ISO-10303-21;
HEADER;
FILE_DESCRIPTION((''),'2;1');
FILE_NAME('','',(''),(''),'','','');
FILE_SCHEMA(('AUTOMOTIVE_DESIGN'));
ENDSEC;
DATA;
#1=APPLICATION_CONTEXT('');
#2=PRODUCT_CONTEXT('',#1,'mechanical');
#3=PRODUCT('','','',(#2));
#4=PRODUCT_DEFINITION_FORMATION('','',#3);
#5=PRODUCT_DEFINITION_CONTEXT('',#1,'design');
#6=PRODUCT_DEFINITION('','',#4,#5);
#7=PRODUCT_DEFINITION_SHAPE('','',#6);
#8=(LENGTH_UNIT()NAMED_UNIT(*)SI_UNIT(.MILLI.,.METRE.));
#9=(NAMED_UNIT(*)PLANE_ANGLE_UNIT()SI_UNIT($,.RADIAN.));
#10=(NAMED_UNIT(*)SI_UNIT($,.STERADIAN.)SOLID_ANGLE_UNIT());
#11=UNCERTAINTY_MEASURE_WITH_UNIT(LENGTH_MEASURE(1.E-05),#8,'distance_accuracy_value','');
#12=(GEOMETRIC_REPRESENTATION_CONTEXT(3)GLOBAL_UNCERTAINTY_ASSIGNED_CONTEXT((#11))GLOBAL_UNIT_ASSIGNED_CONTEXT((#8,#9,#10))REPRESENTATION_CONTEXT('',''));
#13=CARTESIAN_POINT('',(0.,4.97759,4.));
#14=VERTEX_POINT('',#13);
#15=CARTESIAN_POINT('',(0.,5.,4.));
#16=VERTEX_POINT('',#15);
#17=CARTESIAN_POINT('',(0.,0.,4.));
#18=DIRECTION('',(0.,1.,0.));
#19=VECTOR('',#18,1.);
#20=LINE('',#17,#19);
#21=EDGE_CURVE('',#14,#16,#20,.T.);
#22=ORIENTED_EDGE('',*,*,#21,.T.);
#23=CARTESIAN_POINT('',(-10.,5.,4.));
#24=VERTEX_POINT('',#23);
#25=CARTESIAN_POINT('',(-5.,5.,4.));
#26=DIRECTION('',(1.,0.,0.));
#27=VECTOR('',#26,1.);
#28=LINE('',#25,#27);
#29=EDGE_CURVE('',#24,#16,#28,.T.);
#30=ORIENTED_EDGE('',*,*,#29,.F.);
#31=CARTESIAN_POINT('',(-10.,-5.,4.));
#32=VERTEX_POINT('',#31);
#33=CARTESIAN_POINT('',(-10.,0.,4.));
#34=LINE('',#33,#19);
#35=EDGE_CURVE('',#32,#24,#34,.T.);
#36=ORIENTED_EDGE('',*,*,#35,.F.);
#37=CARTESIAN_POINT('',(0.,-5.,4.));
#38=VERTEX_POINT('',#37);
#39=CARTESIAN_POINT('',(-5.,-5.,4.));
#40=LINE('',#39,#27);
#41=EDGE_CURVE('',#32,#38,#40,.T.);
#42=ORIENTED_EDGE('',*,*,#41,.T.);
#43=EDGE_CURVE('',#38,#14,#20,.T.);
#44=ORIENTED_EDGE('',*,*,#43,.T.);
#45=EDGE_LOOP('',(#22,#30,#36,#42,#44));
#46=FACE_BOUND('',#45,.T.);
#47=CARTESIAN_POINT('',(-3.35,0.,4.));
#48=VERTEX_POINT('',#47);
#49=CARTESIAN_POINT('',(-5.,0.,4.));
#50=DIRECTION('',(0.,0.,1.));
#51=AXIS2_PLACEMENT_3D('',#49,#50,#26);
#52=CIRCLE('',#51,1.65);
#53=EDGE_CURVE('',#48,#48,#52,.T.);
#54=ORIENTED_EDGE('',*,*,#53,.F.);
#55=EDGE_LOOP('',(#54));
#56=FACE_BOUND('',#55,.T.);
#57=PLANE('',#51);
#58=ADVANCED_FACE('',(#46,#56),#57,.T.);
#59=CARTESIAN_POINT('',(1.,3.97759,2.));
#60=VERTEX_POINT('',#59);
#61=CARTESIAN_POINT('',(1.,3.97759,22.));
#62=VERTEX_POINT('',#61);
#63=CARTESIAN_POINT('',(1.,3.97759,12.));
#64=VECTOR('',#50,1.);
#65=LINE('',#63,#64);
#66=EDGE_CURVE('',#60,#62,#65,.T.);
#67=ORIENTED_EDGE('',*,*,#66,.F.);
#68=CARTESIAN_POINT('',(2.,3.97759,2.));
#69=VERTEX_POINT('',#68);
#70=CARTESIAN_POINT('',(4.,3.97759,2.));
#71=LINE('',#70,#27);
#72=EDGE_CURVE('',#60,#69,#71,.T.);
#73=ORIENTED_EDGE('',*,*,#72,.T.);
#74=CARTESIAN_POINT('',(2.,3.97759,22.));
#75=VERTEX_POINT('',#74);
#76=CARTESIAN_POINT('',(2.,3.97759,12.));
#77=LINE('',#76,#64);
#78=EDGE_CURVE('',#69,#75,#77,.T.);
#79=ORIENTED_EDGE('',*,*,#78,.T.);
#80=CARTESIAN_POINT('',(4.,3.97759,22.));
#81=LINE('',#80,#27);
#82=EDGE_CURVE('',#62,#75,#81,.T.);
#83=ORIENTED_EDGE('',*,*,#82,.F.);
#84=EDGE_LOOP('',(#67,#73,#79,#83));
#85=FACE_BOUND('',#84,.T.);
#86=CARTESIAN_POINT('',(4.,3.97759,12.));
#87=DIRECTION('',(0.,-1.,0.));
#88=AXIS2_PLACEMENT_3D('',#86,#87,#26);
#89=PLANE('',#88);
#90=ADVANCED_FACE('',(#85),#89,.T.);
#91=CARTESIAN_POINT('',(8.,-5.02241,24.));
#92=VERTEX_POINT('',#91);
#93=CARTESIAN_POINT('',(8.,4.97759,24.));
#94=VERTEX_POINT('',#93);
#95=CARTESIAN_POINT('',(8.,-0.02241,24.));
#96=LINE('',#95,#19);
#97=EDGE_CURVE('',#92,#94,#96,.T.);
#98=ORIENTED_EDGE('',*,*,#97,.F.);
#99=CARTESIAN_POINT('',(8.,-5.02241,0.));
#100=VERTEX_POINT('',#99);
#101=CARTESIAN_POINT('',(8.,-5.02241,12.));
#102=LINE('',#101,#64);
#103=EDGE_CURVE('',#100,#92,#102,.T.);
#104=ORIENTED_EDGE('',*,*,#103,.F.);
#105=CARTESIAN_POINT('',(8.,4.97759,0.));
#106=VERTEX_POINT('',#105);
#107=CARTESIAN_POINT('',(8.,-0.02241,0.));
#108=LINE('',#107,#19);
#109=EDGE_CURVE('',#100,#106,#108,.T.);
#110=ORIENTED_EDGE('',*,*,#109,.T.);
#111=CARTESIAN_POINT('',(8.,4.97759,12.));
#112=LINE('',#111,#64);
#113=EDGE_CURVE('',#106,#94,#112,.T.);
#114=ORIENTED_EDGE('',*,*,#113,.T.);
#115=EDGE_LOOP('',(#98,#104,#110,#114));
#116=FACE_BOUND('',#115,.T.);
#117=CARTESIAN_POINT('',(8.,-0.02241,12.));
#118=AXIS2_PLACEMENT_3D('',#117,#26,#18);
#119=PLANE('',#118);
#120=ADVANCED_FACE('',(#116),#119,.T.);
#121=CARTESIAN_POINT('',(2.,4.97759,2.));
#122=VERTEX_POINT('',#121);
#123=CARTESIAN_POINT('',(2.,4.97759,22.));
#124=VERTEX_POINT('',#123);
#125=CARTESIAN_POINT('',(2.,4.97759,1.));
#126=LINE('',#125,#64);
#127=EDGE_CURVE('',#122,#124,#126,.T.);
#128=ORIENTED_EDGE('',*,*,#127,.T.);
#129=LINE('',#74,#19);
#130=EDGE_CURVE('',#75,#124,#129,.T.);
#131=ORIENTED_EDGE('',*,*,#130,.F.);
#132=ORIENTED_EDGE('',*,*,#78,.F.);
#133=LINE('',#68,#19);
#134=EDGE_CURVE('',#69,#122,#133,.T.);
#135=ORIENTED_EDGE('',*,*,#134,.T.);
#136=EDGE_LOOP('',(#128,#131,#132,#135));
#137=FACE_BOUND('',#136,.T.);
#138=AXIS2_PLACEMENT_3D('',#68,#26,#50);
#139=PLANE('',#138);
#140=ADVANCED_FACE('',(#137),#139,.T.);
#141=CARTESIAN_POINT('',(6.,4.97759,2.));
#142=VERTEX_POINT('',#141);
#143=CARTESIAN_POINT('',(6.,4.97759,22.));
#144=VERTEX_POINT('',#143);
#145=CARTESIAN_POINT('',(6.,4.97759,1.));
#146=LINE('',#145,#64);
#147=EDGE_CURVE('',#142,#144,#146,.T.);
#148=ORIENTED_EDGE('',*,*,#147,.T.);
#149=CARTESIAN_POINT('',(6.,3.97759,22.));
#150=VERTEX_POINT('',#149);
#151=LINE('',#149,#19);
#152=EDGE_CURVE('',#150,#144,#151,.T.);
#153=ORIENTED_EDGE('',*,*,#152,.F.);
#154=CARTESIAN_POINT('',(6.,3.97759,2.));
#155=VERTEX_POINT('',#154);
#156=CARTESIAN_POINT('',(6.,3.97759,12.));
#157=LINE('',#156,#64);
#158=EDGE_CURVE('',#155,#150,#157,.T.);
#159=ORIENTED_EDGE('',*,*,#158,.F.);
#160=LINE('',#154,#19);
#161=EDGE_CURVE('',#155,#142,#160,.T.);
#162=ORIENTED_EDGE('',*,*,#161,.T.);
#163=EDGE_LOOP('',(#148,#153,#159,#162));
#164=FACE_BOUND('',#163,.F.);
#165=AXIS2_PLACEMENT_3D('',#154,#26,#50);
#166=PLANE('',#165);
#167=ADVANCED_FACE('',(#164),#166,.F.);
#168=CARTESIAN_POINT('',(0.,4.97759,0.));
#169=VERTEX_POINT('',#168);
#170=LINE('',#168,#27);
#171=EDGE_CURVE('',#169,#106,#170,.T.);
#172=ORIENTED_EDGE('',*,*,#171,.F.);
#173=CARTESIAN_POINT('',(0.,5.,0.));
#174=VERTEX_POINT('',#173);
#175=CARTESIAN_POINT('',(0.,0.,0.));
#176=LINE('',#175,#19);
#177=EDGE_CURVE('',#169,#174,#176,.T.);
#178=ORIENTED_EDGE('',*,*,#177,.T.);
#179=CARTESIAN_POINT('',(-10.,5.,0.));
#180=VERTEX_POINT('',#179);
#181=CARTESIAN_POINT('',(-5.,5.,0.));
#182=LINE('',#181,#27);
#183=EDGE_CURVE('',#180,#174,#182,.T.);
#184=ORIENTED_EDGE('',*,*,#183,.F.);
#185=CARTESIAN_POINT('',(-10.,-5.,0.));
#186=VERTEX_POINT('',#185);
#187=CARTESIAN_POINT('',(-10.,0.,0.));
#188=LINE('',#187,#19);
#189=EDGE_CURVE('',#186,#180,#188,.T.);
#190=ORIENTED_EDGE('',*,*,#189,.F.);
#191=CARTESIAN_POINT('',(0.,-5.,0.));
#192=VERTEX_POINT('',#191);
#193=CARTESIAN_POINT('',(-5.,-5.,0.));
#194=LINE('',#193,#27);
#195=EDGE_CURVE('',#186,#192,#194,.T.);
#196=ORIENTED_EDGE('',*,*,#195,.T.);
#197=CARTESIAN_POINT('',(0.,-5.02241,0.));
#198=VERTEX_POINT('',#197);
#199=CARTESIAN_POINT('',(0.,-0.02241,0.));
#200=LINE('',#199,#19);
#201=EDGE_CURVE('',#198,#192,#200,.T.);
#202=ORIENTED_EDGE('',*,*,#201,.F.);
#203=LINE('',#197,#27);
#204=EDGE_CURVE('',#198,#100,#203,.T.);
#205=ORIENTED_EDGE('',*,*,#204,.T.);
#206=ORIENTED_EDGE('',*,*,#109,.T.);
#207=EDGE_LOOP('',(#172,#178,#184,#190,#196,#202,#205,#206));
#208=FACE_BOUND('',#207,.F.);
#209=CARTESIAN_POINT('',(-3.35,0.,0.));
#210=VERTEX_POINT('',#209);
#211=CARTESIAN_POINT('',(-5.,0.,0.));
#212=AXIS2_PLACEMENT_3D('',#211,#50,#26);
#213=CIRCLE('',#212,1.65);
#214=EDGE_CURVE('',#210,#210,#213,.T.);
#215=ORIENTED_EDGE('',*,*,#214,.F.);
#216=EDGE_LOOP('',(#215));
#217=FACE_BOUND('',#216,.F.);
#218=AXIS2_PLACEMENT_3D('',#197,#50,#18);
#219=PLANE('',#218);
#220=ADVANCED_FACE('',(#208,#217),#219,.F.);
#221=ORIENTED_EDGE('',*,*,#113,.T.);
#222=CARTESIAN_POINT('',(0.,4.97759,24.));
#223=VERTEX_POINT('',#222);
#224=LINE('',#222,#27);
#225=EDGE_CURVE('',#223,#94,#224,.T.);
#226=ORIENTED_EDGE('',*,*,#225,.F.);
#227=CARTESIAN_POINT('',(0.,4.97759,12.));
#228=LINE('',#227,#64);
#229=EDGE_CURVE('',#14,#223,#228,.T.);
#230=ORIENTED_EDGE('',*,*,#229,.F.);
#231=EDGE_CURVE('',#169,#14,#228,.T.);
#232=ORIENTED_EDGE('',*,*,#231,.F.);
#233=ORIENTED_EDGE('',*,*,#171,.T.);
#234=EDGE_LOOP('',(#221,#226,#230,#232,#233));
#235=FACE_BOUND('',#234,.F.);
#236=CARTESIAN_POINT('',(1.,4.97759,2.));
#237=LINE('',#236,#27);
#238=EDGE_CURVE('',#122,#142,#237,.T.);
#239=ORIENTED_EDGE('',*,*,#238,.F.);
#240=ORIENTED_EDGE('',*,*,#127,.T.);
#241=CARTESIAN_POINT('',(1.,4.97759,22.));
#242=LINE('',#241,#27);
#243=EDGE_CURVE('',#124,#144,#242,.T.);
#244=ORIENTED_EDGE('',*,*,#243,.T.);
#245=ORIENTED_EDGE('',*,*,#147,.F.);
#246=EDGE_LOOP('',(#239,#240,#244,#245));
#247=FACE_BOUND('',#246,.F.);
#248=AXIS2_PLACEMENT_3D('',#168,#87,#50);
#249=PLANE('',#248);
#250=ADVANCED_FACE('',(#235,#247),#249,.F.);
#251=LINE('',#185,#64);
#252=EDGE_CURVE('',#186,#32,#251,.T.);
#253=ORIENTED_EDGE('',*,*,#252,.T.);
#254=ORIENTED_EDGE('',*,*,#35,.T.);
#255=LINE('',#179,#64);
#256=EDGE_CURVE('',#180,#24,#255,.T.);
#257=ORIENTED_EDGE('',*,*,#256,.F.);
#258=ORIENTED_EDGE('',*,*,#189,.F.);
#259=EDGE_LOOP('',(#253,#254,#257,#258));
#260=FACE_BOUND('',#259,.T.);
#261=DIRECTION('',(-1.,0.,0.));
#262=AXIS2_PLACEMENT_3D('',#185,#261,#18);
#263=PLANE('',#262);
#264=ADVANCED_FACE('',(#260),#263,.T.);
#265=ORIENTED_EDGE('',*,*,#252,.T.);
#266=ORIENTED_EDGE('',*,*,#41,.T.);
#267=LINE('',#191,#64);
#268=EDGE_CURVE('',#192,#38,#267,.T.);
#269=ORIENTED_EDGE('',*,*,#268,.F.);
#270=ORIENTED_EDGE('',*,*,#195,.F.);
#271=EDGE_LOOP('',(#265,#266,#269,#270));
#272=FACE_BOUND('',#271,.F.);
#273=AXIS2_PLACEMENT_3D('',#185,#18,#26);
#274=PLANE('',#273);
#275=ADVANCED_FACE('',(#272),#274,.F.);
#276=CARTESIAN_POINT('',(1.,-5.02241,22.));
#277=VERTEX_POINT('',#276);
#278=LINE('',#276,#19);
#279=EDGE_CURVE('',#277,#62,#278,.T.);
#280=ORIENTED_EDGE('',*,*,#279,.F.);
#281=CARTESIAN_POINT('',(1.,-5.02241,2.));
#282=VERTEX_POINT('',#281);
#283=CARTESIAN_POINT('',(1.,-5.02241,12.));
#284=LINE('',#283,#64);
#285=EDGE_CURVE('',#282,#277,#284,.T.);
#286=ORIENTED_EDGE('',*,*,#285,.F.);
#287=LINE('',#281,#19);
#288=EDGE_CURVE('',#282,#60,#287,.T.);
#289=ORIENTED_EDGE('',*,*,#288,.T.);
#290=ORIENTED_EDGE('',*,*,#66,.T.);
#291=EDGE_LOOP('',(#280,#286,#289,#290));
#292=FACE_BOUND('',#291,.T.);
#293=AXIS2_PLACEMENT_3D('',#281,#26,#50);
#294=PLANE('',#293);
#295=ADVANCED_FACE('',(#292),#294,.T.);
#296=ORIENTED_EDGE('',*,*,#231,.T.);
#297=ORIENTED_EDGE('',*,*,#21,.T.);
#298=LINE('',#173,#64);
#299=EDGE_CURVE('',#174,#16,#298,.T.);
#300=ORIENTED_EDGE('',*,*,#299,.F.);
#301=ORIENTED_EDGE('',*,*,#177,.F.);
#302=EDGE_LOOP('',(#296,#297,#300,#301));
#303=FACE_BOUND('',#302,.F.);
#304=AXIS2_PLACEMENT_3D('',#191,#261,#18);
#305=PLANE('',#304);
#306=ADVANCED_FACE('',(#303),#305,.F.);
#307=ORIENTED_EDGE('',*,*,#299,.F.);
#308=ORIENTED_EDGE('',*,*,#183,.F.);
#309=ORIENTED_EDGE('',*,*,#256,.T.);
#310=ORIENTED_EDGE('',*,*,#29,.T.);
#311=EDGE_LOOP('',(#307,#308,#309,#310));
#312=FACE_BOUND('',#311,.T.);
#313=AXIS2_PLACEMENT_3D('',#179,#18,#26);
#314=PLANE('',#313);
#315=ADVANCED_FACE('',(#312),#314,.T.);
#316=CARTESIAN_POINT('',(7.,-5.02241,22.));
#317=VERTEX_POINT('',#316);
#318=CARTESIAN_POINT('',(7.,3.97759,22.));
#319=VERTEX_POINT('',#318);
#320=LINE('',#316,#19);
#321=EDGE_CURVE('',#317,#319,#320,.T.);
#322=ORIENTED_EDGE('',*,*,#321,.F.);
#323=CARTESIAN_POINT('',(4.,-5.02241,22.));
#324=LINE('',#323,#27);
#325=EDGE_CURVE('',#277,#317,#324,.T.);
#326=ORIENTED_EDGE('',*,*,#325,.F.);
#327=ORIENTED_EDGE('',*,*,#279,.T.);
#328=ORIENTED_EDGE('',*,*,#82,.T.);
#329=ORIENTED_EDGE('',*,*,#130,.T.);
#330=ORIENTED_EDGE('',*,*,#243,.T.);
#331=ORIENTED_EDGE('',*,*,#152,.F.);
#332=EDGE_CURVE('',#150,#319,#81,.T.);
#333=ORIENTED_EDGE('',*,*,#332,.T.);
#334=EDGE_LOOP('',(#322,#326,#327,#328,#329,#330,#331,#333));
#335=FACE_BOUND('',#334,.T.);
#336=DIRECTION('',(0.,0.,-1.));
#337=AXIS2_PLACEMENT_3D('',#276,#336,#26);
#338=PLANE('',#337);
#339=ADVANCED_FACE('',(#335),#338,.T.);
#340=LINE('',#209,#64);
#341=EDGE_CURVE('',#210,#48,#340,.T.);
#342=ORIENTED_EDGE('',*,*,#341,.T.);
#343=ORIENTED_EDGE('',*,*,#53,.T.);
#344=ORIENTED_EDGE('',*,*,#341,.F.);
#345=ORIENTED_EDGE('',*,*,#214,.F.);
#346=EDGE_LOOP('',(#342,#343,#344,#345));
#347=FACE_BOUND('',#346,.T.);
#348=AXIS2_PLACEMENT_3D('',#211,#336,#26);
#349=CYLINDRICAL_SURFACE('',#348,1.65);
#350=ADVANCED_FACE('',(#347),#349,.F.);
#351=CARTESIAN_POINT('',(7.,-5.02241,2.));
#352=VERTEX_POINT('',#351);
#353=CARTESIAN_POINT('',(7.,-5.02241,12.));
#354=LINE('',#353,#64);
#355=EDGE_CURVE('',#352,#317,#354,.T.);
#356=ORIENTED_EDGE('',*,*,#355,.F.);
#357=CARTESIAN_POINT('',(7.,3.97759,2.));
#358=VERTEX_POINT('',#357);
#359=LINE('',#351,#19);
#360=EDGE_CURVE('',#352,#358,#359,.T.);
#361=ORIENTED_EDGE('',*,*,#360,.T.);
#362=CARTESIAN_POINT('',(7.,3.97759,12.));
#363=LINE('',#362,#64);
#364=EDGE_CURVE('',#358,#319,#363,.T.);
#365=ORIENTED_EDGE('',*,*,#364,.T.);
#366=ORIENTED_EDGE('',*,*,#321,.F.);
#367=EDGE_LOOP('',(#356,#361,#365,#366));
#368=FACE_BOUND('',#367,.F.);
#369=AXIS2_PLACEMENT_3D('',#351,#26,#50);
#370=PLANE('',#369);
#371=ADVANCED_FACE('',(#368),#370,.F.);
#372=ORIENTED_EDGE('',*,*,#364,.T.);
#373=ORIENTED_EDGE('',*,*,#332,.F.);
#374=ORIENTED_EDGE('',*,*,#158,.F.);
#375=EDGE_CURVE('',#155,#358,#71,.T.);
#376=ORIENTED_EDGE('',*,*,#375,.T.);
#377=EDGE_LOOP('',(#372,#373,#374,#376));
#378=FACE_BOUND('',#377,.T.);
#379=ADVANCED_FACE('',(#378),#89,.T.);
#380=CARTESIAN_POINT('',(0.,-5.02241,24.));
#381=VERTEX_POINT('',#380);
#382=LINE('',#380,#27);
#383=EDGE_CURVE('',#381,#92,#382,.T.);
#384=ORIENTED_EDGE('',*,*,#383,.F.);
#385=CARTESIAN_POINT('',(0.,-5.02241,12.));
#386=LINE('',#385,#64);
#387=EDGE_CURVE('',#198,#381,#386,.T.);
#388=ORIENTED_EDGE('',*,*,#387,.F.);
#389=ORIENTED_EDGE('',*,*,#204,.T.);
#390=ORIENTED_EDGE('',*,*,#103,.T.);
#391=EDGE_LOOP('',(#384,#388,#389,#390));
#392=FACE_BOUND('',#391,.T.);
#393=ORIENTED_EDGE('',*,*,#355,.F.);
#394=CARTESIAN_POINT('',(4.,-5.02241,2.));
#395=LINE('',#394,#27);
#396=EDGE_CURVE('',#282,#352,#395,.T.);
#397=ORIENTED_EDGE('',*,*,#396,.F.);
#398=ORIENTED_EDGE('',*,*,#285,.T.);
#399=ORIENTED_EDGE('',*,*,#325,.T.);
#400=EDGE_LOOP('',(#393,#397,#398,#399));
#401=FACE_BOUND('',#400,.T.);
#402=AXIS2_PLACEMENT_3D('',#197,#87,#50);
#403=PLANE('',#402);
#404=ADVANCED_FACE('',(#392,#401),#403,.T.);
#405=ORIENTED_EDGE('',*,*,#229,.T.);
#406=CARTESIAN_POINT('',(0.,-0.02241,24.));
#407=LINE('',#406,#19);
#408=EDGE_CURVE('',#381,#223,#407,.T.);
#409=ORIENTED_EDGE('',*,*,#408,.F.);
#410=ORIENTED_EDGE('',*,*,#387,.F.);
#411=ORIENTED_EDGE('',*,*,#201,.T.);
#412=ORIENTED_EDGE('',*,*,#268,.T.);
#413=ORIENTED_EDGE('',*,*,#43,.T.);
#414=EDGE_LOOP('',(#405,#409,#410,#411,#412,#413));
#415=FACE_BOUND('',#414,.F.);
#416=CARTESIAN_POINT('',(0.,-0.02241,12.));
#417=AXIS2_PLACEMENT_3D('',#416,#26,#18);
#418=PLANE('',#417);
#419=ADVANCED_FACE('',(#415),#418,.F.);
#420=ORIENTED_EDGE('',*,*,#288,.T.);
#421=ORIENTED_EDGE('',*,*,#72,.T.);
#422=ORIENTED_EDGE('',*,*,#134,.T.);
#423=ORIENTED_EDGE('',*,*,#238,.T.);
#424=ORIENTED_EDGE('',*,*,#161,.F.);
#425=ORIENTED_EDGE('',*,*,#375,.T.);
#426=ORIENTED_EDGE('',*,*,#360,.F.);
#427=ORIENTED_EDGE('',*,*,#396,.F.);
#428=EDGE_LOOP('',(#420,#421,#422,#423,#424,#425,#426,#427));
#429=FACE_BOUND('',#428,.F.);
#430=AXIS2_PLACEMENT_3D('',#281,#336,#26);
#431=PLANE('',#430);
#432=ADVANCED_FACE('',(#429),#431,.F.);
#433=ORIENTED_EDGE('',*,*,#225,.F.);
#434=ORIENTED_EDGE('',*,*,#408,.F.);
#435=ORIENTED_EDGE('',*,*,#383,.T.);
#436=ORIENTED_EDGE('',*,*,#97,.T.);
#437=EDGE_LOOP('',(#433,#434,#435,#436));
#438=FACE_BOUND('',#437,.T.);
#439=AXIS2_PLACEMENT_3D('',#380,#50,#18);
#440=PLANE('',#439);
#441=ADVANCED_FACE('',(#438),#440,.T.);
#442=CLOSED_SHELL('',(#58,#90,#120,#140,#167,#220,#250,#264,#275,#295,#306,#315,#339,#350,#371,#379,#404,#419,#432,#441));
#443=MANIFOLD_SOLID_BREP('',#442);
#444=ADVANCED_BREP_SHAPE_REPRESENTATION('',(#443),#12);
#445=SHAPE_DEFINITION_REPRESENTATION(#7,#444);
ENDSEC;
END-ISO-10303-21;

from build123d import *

# Parameters (mm, degrees)
SKETCH_W        = 10
SKETCH_H        = 10
SKETCH_R        = 1.65
PAD_DEPTH       = 4
SKETCH001_W     = 10
SKETCH001_H     = 24
PAD001_DEPTH    = 8
SKETCH002_W     = 6
SKETCH002_H     = 20
POCKET_DEPTH    = 9
SKETCH003_W     = 4
SKETCH003_H     = 20
POCKET001_DEPTH = 5


with BuildPart() as part:
    # Sketch → Pad (new body)
    with BuildSketch(Plane.XY):
        with Locations((-5, 0)):
            Rectangle(SKETCH_W, SKETCH_H)
        with Locations((-5, 0)):
            Circle(SKETCH_R, mode=Mode.SUBTRACT)
    extrude(amount=PAD_DEPTH)

    # Sketch001 → Pad001 (join)
    with BuildSketch(Plane.YZ):
        with Locations((-0.02241, 12)):
            Rectangle(SKETCH001_W, SKETCH001_H)
    extrude(amount=PAD001_DEPTH)

    # Sketch002 (on Face11 of Pad001) → Pocket (cut)
    with BuildSketch(Plane.XZ.offset(5.02241)):
        with Locations((4, 12)):
            Rectangle(SKETCH002_W, SKETCH002_H)
    extrude(amount=-POCKET_DEPTH, mode=Mode.SUBTRACT)

    # Sketch003 (on Face18 of Pocket) → Pocket001 (cut)
    with BuildSketch(Plane.XZ.offset(-3.97759)):
        with Locations((4, 12)):
            Rectangle(SKETCH003_W, SKETCH003_H)
    extrude(amount=-POCKET001_DEPTH, mode=Mode.SUBTRACT)


solid = part.part
